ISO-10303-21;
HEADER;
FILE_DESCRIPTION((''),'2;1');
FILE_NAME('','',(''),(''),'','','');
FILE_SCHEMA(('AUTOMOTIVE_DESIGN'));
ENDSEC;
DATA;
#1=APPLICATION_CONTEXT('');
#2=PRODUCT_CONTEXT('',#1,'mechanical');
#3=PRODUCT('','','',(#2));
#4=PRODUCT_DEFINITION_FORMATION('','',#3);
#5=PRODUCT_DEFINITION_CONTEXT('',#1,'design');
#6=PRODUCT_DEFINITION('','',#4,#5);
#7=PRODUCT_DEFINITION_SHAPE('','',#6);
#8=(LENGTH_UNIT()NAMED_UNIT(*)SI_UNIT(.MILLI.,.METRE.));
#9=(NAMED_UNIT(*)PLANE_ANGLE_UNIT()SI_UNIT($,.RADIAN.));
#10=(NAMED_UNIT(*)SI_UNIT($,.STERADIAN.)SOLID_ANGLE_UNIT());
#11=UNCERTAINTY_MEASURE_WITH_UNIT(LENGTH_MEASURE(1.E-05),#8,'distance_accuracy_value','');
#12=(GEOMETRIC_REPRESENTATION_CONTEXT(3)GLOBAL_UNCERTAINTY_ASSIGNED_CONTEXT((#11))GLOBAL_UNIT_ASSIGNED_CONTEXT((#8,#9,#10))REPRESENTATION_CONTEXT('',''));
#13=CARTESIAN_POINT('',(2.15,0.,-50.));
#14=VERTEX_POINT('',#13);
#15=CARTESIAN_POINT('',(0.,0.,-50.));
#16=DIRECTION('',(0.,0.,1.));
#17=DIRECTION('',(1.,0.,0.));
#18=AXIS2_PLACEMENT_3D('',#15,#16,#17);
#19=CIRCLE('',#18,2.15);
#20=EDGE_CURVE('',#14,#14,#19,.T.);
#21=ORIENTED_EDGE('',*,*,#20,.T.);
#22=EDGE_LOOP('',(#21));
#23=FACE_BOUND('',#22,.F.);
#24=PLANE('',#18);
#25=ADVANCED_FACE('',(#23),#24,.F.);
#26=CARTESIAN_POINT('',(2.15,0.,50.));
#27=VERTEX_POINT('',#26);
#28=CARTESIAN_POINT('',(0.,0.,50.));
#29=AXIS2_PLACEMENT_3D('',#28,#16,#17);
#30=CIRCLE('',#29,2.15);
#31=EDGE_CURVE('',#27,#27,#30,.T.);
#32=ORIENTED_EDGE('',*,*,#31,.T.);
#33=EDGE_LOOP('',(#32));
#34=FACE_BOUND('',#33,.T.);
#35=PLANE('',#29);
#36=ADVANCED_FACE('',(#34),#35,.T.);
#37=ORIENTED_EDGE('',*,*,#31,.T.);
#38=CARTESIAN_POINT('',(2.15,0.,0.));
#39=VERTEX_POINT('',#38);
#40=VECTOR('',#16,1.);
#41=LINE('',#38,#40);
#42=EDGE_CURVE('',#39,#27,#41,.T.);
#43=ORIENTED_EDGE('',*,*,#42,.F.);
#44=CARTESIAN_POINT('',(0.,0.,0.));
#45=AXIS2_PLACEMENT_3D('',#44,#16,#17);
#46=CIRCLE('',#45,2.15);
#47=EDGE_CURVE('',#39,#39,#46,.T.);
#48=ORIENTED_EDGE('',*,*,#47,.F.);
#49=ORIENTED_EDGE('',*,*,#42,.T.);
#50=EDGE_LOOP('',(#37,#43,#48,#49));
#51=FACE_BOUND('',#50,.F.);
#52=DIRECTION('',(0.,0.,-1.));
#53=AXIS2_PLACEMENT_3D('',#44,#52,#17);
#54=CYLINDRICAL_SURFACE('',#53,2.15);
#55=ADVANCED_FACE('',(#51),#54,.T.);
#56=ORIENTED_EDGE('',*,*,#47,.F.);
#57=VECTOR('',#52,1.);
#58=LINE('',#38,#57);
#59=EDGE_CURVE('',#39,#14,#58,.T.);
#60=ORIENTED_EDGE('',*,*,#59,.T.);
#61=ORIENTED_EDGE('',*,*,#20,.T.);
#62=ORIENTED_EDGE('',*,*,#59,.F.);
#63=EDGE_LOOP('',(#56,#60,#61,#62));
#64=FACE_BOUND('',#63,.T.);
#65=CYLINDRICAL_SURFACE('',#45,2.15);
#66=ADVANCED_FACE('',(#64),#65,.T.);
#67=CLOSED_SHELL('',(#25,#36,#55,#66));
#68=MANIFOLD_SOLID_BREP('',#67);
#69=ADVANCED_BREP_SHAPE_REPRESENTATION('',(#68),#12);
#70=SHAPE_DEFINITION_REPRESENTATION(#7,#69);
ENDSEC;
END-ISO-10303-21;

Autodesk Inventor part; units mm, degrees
ref_plane "YZ Plane" through (0, 0, 0) normal (1, 0, 0) x (0, 1, 0)
ref_plane "XZ Plane" through (0, 0, 0) normal (0, 1, 0) x (-1, 0, 0)
ref_plane "XY Plane" through (0, 0, 0) normal (0, 0, 1) x (1, 0, 0)
sketch "Sketch1" plane through (0, 0, 0) normal (0, 0, 1) x (1, 0, 0)
  circle A0 centre (0, 0) radius 2.15
  dimension "d0" = 4.3
extrude "Extrusion1" add sketch "Sketch1" along normal mid plane 100
properties part number "Axel"
